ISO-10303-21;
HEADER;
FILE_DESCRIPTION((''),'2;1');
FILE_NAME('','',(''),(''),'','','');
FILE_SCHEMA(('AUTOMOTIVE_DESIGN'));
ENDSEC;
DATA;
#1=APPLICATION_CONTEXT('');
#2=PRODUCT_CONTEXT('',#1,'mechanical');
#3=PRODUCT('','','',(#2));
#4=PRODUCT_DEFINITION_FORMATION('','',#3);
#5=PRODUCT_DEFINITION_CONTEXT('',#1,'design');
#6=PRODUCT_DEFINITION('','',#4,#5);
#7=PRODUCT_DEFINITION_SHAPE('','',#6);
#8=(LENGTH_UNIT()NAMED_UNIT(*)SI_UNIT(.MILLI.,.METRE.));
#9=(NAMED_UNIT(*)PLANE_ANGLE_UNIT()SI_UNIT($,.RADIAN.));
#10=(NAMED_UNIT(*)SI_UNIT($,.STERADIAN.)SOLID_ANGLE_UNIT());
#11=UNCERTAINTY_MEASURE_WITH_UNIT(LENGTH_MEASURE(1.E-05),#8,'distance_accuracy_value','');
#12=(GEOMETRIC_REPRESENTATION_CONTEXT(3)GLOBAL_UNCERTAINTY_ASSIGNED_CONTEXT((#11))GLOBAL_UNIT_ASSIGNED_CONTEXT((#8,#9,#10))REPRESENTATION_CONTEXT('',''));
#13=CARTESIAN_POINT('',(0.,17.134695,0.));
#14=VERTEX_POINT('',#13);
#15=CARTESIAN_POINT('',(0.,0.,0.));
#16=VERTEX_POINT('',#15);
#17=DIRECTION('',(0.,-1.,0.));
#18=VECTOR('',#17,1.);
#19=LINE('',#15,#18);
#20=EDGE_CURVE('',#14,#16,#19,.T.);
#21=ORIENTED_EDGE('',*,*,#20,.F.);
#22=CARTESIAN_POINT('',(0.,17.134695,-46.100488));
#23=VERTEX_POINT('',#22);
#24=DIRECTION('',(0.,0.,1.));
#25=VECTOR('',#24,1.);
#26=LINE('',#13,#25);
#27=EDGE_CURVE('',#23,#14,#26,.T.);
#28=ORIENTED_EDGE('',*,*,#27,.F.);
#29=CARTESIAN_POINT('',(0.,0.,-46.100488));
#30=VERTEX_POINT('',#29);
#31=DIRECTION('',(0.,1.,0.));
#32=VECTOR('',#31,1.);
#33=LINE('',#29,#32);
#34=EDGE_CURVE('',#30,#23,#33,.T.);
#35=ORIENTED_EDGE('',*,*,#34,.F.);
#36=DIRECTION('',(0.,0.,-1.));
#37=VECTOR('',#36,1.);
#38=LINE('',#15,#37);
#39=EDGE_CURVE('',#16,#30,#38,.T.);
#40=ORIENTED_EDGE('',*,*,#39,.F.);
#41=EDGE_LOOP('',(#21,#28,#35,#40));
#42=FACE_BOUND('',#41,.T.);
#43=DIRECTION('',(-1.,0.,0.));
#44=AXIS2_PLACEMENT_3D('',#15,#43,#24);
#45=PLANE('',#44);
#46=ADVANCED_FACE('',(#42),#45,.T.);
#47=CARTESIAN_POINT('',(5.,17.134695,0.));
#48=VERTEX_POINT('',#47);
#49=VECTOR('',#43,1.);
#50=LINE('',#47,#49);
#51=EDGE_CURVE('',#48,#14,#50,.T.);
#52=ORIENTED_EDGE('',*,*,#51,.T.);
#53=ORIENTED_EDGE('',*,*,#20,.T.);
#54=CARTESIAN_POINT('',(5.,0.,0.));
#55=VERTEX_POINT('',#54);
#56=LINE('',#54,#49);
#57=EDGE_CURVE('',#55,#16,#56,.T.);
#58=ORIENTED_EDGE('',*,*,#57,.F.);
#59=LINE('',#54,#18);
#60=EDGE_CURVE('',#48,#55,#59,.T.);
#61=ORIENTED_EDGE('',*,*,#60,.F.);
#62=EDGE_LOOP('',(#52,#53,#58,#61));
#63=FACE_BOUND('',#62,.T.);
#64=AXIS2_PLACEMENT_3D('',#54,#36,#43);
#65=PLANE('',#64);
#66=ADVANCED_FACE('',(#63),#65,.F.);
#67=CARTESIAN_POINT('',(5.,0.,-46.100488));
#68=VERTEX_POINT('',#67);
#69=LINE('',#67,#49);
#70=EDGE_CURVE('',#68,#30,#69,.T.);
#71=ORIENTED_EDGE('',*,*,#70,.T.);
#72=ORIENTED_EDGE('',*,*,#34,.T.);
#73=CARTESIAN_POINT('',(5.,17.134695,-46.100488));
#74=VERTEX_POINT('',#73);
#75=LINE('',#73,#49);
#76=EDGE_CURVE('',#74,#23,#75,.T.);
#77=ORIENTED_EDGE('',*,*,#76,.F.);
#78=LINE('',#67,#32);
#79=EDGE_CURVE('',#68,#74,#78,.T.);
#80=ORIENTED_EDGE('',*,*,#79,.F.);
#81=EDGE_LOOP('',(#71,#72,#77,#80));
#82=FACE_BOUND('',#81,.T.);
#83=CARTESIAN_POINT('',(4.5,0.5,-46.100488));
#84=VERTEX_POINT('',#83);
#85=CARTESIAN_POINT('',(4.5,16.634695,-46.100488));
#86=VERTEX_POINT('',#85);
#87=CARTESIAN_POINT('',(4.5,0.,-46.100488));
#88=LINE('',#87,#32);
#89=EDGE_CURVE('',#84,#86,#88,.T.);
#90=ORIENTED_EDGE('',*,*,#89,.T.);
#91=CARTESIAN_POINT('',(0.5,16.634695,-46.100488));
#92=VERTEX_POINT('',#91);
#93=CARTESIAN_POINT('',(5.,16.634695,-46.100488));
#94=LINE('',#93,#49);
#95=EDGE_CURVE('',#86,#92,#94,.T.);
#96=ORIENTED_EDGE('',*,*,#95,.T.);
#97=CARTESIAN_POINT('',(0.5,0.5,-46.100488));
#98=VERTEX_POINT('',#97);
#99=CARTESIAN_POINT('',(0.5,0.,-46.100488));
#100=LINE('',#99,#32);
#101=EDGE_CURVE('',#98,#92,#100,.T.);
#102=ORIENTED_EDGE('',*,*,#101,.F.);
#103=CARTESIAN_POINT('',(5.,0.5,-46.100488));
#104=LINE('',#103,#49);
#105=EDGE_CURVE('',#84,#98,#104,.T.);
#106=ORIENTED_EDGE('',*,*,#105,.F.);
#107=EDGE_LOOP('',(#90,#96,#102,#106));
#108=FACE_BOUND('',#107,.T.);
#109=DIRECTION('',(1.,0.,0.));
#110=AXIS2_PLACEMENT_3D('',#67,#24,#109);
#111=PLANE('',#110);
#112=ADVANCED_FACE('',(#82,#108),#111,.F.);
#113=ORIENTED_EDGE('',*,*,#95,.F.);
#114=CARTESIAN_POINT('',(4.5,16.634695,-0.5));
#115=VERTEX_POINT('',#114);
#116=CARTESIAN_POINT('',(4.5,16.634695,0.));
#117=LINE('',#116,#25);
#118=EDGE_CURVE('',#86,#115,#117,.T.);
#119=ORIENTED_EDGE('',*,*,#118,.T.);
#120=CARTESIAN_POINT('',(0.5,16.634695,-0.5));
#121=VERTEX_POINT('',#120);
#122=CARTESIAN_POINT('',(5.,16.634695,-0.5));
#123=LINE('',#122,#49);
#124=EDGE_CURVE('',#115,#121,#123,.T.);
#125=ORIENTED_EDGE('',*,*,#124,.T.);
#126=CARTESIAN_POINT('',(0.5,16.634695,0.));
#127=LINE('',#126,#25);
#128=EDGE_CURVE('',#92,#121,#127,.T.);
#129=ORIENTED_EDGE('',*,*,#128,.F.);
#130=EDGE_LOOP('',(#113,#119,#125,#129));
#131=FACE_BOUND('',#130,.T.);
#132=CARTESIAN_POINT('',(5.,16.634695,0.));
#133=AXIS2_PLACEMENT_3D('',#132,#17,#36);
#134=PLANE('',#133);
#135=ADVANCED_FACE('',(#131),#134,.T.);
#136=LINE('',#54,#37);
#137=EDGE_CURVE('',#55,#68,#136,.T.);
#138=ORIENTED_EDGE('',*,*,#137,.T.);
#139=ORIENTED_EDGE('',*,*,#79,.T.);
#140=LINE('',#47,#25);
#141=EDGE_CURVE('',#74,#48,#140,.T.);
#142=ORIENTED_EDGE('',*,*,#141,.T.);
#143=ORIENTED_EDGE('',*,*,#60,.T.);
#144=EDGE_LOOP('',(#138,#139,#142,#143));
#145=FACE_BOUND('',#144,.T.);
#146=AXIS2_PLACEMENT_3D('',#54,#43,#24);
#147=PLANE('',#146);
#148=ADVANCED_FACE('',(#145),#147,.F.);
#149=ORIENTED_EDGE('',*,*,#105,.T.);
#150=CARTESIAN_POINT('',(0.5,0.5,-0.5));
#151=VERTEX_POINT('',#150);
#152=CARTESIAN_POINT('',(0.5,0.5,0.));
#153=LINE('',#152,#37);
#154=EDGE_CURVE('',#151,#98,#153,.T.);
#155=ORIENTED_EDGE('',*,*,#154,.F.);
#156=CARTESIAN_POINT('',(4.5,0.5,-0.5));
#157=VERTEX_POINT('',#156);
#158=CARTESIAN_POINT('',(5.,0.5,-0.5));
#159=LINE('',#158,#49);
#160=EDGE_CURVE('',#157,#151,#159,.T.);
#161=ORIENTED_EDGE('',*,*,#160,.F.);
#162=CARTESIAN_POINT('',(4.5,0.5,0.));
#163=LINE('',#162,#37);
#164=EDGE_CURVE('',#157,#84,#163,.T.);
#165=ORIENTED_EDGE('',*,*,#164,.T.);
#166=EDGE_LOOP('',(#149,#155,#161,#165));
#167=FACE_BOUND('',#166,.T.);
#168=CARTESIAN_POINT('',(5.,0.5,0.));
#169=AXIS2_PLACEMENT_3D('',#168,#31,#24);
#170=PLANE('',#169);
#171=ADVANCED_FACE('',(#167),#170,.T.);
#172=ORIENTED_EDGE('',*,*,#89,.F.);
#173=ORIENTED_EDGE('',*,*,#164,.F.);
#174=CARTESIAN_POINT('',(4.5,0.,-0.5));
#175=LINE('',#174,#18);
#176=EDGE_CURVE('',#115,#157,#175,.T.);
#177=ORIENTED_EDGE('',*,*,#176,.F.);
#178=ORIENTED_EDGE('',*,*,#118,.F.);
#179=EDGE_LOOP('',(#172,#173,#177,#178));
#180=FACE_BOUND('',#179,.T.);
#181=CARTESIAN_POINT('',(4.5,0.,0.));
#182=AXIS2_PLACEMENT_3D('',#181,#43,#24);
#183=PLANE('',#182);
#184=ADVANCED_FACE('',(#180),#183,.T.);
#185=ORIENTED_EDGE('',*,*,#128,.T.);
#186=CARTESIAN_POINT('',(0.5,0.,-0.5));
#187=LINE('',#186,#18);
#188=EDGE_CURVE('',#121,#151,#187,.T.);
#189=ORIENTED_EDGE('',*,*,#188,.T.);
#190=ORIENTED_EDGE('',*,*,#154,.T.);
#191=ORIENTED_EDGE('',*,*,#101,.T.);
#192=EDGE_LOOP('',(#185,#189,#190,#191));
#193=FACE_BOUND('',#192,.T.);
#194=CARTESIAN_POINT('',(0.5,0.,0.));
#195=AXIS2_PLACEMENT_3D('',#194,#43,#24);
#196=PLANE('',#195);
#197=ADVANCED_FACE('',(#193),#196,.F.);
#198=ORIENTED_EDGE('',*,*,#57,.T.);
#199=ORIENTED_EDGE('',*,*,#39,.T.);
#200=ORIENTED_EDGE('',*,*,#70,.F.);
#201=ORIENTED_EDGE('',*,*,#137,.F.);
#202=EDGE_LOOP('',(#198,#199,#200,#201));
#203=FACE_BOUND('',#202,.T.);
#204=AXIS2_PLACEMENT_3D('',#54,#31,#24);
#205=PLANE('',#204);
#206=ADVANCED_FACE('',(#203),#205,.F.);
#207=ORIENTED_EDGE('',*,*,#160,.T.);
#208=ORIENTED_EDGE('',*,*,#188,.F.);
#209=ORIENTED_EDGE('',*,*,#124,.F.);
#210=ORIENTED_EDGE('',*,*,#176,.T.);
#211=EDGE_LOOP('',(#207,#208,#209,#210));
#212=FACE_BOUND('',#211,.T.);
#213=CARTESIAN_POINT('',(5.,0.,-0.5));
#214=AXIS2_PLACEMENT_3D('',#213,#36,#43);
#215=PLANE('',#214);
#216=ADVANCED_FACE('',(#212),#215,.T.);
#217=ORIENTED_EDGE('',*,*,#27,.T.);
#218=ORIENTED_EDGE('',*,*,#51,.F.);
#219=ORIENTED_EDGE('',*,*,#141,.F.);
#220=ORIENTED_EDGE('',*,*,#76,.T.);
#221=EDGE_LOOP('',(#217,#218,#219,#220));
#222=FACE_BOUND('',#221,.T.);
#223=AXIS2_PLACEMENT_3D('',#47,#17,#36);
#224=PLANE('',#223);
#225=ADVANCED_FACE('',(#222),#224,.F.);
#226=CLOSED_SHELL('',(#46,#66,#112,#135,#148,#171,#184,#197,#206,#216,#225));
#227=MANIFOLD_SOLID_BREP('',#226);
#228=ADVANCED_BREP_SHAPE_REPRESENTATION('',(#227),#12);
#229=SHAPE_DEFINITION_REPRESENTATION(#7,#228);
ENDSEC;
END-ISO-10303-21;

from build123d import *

# Parameters (mm, degrees)
CROQUIS1_W              = 46.10048772
CROQUIS1_H              = 17.134694551
SALIENTE_EXTRUIR1_DEPTH = 5
VACIADO2_T              = -0.5


with BuildPart() as part:
    # Croquis1 → Saliente-Extruir1 (new body)
    with BuildSketch(Plane(origin=(0, 0, 0), x_dir=(0, 0, -1), z_dir=(1, 0, 0))):
        with Locations((23.05024386, 8.567347276)):
            Rectangle(CROQUIS1_W, CROQUIS1_H)
    extrude(amount=SALIENTE_EXTRUIR1_DEPTH)

    # Vaciado2
    vaciado2_openings = [part.faces().sort_by_distance(p)[0] for p in [
        (2.5, 8.567347275, -46.10048772),
    ]]
    offset(amount=VACIADO2_T, openings=vaciado2_openings, kind=Kind.INTERSECTION)


solid = part.part
